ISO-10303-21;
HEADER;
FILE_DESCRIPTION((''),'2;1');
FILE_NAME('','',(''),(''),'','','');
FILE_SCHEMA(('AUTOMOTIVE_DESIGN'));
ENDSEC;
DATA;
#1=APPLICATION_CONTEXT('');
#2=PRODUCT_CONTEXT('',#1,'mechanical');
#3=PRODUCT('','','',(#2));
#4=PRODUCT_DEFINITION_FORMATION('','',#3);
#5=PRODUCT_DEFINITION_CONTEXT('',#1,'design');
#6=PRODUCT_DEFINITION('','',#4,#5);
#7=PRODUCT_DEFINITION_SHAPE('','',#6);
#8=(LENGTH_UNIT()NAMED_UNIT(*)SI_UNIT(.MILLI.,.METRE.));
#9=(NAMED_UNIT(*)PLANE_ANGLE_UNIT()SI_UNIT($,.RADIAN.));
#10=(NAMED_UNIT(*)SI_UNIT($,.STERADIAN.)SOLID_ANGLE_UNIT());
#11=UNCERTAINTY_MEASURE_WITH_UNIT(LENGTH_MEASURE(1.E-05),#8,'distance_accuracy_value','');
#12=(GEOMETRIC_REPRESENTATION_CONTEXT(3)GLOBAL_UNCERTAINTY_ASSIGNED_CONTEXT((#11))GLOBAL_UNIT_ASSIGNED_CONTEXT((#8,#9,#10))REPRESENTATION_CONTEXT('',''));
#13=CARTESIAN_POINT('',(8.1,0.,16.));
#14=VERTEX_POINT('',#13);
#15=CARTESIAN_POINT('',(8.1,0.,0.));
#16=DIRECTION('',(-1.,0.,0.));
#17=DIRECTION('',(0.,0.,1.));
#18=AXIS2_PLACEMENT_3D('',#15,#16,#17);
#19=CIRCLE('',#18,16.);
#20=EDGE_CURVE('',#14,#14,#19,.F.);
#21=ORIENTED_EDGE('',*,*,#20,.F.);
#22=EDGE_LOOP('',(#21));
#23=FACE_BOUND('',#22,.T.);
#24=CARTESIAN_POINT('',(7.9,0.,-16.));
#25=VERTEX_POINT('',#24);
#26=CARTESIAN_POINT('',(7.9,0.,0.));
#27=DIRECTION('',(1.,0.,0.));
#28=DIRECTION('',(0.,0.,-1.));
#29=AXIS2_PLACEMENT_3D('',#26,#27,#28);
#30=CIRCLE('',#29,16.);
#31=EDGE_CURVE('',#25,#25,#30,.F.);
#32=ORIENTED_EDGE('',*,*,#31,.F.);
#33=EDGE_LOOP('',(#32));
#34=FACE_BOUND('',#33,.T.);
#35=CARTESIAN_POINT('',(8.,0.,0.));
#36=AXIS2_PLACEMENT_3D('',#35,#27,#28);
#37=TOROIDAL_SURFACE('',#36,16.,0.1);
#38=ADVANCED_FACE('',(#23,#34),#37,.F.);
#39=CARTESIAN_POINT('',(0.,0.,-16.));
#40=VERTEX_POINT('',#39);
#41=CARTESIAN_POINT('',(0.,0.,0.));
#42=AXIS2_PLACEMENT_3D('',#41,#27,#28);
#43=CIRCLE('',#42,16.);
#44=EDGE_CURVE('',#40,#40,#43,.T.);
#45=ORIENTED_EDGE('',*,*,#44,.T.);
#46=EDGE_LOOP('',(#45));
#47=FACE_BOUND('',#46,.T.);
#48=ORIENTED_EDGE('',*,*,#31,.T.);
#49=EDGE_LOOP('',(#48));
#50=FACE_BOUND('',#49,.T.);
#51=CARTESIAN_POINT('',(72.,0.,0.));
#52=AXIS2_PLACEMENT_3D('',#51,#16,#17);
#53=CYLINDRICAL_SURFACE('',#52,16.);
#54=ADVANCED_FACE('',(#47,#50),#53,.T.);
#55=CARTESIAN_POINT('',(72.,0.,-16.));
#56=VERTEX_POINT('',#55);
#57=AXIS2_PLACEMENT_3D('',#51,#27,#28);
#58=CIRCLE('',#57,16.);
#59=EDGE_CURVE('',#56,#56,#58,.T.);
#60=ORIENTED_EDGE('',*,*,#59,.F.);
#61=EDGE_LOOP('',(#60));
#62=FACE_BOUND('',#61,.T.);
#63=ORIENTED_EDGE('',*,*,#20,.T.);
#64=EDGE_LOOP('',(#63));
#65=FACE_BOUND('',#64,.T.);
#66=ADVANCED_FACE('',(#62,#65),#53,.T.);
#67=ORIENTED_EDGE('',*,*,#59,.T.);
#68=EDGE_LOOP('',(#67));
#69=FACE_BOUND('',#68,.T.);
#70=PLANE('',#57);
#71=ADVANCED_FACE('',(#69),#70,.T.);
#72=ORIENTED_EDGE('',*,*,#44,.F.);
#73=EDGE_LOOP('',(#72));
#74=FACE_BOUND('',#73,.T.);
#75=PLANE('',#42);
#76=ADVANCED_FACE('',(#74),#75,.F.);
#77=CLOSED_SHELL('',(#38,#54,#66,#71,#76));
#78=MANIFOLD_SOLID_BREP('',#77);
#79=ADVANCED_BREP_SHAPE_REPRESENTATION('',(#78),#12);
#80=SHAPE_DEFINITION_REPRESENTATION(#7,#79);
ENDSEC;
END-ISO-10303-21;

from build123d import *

# Parameters (mm, degrees)
SKETCH1_R           = 16
BOSS_EXTRUDE1_DEPTH = 72
SKETCH2_R           = 0.1


with BuildPart() as part:
    # Sketch1 → Boss-Extrude1 (new body)
    with BuildSketch(Plane(origin=(0, 0, 0), x_dir=(0, 0, -1), z_dir=(1, 0, 0))):
        Circle(SKETCH1_R)
    extrude(amount=BOSS_EXTRUDE1_DEPTH)

    # Sketch2 → Cut-Revolve1 (revolve, cut)
    with BuildSketch(Plane.XY, mode=Mode.PRIVATE) as cut_revolve1_sk:
        with Locations((8, 16)):
            Circle(SKETCH2_R)
    revolve(cut_revolve1_sk.sketch.rotate(Axis((72, 0, 0), (-1, 0, 0)), 90), axis=Axis((72, 0, 0), (-1, 0, 0)), mode=Mode.SUBTRACT)


solid = part.part
